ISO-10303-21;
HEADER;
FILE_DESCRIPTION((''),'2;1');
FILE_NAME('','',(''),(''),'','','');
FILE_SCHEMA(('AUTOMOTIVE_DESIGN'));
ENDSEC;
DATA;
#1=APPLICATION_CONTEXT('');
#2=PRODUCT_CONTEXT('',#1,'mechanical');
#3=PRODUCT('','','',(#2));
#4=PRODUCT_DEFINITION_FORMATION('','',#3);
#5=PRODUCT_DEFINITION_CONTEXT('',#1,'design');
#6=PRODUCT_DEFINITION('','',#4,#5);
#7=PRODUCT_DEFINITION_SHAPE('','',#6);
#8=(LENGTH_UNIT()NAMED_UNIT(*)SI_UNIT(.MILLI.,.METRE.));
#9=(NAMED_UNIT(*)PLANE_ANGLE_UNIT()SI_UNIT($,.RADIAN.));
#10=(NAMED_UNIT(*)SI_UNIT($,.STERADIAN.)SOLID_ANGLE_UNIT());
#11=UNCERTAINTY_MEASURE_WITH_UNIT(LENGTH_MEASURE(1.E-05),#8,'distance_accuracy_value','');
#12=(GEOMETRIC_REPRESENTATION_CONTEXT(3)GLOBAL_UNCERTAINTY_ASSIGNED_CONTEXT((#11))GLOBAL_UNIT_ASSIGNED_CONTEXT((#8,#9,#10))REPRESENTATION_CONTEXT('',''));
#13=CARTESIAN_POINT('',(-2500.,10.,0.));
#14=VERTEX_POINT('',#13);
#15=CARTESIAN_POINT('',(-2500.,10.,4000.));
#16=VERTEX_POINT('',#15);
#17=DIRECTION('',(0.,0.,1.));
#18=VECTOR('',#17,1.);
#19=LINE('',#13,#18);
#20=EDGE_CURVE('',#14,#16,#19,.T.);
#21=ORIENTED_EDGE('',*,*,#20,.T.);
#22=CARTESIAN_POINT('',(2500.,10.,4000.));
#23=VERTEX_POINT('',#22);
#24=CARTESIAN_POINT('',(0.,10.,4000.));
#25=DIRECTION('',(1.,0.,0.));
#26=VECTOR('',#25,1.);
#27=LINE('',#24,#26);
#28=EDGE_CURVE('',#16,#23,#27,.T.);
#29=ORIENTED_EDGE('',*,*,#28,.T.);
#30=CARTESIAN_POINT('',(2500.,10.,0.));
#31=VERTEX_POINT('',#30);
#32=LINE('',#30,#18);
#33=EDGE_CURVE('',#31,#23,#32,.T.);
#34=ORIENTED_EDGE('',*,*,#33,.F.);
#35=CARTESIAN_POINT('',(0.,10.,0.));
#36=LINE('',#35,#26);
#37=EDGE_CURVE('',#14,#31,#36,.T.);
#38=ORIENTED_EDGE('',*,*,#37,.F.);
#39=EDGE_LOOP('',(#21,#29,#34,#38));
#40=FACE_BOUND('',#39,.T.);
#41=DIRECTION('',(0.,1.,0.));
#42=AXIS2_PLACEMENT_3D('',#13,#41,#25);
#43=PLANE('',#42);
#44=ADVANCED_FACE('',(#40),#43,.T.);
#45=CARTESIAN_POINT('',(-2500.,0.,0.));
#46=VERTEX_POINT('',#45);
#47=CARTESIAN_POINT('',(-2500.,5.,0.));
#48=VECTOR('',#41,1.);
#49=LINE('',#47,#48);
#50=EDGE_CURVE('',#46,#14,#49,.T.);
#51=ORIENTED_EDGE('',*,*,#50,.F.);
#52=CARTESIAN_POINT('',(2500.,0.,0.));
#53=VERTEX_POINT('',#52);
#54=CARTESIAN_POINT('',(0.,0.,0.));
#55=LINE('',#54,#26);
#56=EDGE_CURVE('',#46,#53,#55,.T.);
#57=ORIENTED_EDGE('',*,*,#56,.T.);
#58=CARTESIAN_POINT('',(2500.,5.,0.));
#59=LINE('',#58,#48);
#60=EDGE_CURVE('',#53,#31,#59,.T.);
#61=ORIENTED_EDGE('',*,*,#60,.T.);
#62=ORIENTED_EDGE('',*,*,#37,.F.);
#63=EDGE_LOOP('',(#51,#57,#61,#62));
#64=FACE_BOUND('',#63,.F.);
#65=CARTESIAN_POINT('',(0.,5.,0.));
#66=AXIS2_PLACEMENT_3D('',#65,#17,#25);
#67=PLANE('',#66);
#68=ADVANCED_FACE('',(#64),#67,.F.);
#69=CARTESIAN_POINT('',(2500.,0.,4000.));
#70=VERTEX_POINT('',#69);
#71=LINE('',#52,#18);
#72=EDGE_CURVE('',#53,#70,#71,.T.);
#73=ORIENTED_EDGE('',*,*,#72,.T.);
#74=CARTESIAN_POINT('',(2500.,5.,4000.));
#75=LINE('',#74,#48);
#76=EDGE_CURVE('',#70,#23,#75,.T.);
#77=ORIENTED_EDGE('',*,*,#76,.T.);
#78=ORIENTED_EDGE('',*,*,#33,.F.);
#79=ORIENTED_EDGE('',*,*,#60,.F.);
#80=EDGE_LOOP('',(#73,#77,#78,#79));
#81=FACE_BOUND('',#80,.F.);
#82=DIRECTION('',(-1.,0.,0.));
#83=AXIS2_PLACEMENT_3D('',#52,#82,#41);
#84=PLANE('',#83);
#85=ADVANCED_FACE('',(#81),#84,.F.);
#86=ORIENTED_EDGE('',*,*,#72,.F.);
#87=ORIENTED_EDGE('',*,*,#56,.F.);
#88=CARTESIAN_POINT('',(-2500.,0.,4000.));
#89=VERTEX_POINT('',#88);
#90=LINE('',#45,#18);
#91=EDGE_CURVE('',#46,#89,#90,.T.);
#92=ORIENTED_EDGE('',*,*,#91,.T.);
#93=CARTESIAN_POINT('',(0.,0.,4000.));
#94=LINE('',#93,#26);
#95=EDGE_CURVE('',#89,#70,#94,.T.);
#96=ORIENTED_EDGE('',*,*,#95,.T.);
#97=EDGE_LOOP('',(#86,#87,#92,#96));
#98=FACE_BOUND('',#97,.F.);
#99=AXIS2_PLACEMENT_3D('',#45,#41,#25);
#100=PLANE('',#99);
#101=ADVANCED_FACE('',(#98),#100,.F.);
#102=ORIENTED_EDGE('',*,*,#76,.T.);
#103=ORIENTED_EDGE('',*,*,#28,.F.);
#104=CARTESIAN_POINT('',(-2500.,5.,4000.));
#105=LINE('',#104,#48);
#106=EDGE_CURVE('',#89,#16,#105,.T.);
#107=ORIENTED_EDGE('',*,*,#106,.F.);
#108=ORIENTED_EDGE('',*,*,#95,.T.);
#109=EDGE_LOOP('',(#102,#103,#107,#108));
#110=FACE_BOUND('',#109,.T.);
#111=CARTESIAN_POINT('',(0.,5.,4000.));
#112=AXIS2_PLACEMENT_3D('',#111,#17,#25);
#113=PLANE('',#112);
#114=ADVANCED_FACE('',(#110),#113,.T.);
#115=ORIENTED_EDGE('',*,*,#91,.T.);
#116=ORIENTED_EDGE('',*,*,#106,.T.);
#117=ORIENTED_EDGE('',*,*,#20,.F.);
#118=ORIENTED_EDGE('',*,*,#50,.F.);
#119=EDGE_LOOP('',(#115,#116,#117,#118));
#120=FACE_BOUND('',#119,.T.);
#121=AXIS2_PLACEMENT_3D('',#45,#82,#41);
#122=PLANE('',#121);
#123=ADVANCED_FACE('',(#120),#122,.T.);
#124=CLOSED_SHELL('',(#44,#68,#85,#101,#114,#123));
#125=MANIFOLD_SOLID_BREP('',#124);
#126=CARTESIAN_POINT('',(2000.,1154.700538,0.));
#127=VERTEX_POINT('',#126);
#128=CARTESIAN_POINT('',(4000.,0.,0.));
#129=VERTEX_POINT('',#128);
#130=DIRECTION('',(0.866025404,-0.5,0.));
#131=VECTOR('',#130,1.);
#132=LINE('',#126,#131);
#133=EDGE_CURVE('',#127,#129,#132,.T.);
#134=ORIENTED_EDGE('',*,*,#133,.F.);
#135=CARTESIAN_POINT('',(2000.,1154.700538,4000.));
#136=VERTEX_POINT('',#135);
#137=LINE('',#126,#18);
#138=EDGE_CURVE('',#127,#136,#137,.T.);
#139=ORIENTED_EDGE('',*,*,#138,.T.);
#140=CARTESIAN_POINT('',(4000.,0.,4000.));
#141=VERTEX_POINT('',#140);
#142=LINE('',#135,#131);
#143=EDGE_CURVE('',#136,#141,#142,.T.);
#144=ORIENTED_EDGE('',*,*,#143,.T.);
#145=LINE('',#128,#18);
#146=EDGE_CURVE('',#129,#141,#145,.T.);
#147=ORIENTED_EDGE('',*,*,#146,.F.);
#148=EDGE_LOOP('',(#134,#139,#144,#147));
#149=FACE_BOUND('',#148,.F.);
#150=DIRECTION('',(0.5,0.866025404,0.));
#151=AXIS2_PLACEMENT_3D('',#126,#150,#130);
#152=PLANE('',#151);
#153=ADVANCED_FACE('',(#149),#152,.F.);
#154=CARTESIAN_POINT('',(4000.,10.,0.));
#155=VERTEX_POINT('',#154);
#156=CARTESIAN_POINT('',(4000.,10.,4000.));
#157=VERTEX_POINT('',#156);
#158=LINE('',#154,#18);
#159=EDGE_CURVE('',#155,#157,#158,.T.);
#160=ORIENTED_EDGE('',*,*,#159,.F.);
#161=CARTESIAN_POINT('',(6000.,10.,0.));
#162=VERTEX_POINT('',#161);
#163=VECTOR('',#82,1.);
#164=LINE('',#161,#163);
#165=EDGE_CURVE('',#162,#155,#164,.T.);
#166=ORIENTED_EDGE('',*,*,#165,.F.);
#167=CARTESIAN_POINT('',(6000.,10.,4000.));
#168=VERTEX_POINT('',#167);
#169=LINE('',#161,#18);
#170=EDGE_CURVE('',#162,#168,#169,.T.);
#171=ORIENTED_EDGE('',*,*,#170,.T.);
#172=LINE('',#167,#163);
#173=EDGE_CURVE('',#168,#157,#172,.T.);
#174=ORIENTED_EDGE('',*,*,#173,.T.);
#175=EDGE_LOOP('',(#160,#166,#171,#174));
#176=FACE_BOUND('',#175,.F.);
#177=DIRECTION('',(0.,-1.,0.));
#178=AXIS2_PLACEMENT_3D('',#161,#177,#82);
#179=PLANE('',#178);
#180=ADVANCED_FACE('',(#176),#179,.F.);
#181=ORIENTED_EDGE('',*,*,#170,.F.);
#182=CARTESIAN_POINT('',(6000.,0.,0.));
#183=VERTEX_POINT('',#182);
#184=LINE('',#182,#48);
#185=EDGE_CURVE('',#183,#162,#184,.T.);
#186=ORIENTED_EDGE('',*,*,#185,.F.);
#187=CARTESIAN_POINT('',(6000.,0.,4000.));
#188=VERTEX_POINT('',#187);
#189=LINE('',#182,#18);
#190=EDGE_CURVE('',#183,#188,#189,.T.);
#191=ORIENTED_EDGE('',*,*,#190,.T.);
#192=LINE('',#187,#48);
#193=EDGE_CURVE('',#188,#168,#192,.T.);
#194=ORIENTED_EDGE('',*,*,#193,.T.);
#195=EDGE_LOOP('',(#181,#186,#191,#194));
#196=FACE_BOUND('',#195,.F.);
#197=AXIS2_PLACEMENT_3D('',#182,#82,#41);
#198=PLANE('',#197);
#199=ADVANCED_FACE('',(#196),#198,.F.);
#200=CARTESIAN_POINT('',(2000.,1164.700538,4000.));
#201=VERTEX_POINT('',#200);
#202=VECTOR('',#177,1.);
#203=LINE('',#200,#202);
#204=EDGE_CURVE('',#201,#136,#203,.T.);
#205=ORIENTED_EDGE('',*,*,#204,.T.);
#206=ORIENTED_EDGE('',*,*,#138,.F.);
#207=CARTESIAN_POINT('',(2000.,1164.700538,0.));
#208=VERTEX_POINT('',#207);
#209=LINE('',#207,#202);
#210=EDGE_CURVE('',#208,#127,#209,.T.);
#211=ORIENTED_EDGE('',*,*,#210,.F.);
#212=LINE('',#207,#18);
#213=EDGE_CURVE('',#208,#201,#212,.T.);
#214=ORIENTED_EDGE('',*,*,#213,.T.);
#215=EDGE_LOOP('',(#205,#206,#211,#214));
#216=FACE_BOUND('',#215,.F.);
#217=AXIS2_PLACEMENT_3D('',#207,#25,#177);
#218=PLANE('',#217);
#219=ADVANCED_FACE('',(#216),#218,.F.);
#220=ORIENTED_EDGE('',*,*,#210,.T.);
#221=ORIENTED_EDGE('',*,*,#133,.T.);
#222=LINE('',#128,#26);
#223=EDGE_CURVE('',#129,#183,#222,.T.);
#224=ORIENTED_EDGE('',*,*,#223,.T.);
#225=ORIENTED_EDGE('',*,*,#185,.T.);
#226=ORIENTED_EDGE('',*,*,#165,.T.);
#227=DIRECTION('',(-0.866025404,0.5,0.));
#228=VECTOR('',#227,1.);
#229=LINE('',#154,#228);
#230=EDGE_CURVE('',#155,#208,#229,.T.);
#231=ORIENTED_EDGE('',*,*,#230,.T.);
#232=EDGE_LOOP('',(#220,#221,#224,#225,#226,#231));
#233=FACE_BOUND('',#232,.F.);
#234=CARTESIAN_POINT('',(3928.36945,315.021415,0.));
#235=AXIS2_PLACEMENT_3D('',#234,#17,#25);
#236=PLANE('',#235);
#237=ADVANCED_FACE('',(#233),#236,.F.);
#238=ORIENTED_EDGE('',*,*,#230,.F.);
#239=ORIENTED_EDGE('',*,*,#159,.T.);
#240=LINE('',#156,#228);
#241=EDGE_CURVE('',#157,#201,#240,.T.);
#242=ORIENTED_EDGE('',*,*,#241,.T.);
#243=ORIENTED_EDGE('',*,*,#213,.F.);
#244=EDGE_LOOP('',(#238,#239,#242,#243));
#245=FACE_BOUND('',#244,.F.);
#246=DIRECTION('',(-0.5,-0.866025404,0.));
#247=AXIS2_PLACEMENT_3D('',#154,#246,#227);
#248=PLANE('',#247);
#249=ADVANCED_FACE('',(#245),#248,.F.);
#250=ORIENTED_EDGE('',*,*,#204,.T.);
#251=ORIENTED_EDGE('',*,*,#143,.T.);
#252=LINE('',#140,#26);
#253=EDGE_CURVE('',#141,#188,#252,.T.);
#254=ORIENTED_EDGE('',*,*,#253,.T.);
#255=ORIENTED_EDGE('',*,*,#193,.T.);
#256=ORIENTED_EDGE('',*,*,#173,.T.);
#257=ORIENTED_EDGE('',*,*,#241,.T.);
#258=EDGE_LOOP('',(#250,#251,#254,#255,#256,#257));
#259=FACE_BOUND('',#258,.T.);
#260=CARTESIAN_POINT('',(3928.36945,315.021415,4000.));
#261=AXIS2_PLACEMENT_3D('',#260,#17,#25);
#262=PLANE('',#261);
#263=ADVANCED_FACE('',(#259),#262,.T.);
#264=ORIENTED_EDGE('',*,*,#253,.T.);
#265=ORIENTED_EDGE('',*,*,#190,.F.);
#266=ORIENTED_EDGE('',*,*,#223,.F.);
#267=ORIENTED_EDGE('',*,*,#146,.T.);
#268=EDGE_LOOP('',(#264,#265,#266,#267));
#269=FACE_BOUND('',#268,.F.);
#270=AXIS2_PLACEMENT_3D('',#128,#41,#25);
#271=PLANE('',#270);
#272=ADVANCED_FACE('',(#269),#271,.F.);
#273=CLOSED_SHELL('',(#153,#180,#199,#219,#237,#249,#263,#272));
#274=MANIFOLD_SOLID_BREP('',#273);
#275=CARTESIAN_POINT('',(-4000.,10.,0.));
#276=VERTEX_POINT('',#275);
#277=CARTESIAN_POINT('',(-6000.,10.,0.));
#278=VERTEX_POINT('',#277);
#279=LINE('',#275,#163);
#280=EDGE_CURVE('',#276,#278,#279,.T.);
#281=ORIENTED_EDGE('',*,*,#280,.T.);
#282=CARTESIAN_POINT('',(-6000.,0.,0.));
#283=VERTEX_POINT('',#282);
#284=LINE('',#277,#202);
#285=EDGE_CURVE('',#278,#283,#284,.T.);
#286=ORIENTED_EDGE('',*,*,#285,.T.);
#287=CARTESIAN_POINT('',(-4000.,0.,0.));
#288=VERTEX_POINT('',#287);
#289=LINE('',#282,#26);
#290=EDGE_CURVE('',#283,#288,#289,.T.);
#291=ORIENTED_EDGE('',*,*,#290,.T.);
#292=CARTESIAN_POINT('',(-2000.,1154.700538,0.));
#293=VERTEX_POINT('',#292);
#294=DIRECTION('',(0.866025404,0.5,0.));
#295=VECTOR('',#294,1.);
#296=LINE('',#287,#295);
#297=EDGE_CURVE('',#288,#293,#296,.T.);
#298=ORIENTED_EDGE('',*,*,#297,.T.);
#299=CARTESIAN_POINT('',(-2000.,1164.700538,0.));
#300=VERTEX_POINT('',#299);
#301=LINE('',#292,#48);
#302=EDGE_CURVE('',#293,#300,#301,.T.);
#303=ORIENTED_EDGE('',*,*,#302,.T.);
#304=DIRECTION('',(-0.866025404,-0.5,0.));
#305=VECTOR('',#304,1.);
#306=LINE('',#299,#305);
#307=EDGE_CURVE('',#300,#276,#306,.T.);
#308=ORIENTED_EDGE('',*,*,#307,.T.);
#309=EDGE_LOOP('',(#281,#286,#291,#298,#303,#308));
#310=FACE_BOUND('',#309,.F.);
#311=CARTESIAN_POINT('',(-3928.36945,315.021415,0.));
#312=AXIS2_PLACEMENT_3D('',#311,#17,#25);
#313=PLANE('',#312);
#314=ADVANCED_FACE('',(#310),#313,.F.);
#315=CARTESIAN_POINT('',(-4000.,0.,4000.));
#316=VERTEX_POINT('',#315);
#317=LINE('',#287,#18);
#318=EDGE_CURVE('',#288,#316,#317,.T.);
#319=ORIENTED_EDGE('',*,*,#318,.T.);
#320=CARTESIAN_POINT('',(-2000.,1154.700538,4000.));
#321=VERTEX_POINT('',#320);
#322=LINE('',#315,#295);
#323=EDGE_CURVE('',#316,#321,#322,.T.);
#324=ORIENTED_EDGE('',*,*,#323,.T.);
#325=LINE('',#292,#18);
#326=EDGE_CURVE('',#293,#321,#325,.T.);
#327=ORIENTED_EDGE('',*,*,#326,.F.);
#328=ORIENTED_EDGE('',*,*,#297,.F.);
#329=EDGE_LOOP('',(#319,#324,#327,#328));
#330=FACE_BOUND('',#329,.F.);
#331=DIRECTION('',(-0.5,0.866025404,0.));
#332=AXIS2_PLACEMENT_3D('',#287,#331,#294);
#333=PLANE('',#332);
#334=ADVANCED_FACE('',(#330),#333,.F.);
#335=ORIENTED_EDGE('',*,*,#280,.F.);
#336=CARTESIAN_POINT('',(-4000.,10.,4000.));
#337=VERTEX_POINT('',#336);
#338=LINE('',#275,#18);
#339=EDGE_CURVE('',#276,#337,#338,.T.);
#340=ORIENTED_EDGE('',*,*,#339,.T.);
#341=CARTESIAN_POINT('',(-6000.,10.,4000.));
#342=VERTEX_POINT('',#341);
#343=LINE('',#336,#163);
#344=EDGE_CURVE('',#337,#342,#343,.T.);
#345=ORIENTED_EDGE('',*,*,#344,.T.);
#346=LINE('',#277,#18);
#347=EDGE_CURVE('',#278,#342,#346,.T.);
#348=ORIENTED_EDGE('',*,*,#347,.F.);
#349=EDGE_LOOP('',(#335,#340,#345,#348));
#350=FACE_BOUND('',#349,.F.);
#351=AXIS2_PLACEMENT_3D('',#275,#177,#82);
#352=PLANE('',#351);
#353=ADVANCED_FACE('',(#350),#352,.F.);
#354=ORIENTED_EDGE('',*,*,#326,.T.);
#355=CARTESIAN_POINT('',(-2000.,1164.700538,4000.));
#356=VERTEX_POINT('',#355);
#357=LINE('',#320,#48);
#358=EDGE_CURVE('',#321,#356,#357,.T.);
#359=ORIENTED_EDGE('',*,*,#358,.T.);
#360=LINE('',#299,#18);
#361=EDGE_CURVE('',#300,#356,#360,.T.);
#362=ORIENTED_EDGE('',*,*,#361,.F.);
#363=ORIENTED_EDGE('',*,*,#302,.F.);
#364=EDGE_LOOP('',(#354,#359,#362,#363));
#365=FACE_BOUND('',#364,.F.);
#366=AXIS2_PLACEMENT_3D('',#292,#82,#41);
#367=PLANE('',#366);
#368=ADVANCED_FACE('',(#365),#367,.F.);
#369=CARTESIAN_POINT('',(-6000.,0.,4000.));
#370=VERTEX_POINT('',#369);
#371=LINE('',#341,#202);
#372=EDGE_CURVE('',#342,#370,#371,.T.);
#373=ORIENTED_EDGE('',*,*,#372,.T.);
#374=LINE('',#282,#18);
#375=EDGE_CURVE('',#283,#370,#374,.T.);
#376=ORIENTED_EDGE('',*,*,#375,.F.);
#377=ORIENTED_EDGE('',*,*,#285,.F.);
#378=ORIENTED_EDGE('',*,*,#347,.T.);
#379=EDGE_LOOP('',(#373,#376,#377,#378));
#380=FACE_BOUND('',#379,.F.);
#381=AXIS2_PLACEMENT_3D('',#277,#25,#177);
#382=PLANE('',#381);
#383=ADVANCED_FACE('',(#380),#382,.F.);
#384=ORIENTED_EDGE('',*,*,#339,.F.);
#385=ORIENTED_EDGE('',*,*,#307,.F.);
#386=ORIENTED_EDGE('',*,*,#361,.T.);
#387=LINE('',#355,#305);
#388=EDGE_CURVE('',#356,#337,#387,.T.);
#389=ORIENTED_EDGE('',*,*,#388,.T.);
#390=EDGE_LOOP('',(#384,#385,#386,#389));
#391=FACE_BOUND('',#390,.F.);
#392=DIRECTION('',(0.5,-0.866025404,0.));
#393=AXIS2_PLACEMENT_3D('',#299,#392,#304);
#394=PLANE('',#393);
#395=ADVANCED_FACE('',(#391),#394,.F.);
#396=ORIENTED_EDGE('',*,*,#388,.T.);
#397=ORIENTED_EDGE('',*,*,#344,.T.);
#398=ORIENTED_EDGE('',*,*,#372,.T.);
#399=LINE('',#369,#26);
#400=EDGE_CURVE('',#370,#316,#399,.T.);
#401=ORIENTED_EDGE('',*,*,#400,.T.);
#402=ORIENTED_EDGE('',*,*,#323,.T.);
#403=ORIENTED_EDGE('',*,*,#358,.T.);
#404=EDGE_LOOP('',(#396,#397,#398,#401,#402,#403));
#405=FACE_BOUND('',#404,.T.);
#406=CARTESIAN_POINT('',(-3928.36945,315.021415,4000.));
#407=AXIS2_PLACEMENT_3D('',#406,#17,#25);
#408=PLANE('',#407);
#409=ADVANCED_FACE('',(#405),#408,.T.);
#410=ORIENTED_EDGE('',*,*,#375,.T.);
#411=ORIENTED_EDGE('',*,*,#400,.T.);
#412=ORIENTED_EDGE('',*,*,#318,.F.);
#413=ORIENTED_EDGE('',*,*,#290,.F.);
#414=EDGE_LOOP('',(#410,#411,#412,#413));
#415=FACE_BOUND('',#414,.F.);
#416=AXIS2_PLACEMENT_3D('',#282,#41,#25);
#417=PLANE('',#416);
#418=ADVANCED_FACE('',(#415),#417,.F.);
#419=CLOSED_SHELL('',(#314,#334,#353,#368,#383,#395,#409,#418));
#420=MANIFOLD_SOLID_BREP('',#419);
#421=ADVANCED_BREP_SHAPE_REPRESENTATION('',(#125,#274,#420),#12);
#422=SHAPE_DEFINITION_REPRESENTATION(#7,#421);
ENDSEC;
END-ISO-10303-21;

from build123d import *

# Parameters (mm, degrees)
F0_W     = 5000
F0_H     = 10
F1_DEPTH = 4000


with BuildPart() as f1:
    # F0 (on Top) → F1 (new body)
    with BuildSketch(Plane.XY):
        with Locations((0, 5)):
            Rectangle(F0_W, F0_H)
        Polygon((2000, 1154.700538), (4000, 0), (6000, 0), (6000, 10), (4000, 10), (2000, 1164.700538), align=None)
        Polygon((-6000, 10), (-6000, 0), (-4000, 0), (-2000, 1154.700538), (-2000, 1164.700538), (-4000, 10), align=None)
    extrude(amount=F1_DEPTH)


solid = f1.part
